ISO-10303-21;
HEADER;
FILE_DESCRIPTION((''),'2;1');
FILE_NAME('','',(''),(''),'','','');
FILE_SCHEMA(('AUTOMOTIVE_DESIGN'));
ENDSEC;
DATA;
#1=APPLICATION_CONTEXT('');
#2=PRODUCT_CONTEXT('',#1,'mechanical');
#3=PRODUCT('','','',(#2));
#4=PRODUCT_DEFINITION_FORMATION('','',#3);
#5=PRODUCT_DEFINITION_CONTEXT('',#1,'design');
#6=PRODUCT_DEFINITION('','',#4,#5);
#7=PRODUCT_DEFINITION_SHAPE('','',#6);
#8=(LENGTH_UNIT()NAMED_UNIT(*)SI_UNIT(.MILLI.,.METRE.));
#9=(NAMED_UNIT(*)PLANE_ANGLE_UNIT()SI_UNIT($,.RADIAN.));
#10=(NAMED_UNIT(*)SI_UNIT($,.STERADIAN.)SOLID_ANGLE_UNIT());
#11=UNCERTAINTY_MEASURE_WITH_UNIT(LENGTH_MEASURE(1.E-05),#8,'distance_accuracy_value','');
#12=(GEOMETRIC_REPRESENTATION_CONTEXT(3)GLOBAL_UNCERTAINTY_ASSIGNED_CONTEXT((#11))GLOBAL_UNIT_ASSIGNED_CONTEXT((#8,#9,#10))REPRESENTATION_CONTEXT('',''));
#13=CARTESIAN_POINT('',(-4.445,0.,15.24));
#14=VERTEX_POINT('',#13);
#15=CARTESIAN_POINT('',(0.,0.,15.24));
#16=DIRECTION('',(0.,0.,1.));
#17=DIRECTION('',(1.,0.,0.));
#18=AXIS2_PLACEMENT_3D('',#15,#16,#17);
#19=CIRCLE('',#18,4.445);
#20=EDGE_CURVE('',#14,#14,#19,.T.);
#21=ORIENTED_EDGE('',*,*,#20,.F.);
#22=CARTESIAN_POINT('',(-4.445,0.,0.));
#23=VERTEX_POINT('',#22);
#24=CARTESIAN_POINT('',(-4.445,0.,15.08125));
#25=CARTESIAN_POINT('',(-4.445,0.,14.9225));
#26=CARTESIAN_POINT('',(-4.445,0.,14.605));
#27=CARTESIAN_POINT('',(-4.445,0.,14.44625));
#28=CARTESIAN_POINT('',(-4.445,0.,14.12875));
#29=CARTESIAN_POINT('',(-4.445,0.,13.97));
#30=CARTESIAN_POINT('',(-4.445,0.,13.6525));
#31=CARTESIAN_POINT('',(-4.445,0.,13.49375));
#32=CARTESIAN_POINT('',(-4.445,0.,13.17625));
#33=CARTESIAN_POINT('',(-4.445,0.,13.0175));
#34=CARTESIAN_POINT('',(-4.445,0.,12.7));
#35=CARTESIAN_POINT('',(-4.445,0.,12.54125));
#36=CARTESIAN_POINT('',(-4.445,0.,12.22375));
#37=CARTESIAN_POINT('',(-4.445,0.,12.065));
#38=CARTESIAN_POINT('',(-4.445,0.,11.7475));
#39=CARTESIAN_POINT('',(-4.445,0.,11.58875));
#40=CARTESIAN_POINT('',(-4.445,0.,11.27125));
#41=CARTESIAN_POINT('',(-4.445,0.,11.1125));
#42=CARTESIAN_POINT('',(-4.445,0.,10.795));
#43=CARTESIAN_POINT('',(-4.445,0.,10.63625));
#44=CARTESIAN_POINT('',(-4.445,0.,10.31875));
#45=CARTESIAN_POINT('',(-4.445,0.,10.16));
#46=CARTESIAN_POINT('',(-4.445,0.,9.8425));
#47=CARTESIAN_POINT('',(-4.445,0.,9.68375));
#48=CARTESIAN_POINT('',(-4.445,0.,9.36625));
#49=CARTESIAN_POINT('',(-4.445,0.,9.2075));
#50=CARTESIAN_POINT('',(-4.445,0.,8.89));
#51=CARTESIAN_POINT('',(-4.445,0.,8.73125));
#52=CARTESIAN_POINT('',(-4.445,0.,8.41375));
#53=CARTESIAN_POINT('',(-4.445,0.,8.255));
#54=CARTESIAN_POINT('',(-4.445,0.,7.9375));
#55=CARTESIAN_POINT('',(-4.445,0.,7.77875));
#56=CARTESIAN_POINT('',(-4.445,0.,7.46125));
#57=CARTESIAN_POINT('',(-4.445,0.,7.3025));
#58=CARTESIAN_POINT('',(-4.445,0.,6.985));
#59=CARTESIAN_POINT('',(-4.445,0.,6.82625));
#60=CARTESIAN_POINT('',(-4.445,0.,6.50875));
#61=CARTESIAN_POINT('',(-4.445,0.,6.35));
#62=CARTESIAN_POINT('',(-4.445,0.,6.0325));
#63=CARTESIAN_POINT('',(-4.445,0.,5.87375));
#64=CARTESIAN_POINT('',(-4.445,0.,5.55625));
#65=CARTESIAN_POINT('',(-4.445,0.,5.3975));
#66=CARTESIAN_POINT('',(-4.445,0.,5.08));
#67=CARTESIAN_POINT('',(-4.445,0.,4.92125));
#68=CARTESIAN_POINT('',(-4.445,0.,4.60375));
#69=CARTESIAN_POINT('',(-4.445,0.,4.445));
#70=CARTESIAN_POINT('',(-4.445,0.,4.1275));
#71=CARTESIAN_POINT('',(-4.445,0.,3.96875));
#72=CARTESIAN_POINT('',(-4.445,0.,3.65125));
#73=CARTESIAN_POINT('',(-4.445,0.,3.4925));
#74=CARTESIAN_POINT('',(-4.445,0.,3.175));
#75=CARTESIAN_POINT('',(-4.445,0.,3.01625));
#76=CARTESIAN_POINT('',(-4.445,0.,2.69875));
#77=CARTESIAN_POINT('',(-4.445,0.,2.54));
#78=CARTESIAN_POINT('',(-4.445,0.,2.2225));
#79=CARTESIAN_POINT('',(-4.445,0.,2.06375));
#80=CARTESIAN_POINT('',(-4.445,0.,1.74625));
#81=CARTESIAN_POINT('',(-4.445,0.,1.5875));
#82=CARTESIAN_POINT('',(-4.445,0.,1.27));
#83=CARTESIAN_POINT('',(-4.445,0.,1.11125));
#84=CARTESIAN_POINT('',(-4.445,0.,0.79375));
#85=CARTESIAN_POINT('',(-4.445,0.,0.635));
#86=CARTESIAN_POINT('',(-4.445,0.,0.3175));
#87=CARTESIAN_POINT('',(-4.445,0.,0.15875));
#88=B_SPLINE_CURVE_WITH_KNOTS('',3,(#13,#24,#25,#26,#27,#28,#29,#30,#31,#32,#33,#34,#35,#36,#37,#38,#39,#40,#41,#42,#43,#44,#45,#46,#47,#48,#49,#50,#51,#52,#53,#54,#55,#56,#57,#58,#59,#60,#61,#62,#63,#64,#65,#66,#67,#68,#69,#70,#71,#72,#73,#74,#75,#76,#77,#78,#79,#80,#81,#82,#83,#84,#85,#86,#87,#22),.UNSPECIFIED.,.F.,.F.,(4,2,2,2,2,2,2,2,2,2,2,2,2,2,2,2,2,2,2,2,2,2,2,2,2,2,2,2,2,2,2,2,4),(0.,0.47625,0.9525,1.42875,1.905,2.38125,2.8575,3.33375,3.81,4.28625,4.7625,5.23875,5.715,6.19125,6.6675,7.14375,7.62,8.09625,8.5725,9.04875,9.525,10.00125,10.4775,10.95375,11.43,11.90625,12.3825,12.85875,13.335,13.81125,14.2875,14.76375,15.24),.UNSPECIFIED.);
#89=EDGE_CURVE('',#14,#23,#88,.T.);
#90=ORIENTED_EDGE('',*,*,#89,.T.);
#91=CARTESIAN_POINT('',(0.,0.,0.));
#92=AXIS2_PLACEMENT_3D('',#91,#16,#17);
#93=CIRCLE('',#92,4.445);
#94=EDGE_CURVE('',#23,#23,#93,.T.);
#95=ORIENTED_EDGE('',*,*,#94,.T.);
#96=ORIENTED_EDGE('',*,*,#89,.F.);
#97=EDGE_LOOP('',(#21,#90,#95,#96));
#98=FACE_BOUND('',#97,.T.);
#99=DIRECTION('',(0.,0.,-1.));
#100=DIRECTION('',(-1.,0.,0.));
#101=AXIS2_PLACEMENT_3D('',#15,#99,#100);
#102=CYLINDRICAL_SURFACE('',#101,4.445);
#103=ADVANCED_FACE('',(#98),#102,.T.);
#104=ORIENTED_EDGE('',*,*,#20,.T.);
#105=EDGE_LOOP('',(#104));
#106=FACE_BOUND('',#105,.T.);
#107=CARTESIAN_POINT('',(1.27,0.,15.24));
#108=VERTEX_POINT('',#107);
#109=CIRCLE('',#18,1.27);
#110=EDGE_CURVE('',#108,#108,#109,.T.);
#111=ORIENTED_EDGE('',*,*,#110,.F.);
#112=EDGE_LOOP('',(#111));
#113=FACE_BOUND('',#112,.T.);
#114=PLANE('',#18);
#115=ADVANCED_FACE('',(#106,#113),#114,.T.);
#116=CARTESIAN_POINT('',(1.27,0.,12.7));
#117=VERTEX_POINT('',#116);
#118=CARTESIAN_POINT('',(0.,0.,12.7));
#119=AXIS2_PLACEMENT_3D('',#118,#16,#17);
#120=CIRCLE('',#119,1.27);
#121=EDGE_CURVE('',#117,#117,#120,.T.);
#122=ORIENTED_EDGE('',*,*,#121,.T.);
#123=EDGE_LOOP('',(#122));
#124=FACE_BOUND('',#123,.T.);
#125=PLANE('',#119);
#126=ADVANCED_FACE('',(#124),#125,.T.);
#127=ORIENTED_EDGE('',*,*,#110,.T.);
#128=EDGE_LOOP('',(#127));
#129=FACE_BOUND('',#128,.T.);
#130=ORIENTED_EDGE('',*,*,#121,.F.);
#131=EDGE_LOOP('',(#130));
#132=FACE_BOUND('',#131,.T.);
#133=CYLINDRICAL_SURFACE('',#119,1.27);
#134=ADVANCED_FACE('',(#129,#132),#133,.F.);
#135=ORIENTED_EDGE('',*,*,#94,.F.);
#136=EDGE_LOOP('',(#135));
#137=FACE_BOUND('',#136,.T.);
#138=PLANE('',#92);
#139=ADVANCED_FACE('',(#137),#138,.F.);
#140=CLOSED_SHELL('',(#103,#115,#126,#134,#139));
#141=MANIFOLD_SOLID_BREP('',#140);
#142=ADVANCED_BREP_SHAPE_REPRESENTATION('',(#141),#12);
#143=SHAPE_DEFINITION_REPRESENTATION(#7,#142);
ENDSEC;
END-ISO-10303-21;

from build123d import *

# Parameters (mm, degrees)
SKETCH1_R           = 4.445
BOSS_EXTRUDE1_DEPTH = 15.24
SKETCH2_R           = 1.27
CUT_EXTRUDE1_DEPTH  = 2.54


with BuildPart() as part:
    # Sketch1 → Boss-Extrude1 (new body)
    with BuildSketch(Plane.XY):
        with Locations(Location((0, 0, 0), (0, 0, 180))):
            Circle(SKETCH1_R)
    extrude(amount=BOSS_EXTRUDE1_DEPTH)

    # Sketch2 → Cut-Extrude1 (cut)
    with BuildSketch(Plane.XY.offset(15.24)):
        Circle(SKETCH2_R)
    extrude(amount=-CUT_EXTRUDE1_DEPTH, mode=Mode.SUBTRACT)


solid = part.part
